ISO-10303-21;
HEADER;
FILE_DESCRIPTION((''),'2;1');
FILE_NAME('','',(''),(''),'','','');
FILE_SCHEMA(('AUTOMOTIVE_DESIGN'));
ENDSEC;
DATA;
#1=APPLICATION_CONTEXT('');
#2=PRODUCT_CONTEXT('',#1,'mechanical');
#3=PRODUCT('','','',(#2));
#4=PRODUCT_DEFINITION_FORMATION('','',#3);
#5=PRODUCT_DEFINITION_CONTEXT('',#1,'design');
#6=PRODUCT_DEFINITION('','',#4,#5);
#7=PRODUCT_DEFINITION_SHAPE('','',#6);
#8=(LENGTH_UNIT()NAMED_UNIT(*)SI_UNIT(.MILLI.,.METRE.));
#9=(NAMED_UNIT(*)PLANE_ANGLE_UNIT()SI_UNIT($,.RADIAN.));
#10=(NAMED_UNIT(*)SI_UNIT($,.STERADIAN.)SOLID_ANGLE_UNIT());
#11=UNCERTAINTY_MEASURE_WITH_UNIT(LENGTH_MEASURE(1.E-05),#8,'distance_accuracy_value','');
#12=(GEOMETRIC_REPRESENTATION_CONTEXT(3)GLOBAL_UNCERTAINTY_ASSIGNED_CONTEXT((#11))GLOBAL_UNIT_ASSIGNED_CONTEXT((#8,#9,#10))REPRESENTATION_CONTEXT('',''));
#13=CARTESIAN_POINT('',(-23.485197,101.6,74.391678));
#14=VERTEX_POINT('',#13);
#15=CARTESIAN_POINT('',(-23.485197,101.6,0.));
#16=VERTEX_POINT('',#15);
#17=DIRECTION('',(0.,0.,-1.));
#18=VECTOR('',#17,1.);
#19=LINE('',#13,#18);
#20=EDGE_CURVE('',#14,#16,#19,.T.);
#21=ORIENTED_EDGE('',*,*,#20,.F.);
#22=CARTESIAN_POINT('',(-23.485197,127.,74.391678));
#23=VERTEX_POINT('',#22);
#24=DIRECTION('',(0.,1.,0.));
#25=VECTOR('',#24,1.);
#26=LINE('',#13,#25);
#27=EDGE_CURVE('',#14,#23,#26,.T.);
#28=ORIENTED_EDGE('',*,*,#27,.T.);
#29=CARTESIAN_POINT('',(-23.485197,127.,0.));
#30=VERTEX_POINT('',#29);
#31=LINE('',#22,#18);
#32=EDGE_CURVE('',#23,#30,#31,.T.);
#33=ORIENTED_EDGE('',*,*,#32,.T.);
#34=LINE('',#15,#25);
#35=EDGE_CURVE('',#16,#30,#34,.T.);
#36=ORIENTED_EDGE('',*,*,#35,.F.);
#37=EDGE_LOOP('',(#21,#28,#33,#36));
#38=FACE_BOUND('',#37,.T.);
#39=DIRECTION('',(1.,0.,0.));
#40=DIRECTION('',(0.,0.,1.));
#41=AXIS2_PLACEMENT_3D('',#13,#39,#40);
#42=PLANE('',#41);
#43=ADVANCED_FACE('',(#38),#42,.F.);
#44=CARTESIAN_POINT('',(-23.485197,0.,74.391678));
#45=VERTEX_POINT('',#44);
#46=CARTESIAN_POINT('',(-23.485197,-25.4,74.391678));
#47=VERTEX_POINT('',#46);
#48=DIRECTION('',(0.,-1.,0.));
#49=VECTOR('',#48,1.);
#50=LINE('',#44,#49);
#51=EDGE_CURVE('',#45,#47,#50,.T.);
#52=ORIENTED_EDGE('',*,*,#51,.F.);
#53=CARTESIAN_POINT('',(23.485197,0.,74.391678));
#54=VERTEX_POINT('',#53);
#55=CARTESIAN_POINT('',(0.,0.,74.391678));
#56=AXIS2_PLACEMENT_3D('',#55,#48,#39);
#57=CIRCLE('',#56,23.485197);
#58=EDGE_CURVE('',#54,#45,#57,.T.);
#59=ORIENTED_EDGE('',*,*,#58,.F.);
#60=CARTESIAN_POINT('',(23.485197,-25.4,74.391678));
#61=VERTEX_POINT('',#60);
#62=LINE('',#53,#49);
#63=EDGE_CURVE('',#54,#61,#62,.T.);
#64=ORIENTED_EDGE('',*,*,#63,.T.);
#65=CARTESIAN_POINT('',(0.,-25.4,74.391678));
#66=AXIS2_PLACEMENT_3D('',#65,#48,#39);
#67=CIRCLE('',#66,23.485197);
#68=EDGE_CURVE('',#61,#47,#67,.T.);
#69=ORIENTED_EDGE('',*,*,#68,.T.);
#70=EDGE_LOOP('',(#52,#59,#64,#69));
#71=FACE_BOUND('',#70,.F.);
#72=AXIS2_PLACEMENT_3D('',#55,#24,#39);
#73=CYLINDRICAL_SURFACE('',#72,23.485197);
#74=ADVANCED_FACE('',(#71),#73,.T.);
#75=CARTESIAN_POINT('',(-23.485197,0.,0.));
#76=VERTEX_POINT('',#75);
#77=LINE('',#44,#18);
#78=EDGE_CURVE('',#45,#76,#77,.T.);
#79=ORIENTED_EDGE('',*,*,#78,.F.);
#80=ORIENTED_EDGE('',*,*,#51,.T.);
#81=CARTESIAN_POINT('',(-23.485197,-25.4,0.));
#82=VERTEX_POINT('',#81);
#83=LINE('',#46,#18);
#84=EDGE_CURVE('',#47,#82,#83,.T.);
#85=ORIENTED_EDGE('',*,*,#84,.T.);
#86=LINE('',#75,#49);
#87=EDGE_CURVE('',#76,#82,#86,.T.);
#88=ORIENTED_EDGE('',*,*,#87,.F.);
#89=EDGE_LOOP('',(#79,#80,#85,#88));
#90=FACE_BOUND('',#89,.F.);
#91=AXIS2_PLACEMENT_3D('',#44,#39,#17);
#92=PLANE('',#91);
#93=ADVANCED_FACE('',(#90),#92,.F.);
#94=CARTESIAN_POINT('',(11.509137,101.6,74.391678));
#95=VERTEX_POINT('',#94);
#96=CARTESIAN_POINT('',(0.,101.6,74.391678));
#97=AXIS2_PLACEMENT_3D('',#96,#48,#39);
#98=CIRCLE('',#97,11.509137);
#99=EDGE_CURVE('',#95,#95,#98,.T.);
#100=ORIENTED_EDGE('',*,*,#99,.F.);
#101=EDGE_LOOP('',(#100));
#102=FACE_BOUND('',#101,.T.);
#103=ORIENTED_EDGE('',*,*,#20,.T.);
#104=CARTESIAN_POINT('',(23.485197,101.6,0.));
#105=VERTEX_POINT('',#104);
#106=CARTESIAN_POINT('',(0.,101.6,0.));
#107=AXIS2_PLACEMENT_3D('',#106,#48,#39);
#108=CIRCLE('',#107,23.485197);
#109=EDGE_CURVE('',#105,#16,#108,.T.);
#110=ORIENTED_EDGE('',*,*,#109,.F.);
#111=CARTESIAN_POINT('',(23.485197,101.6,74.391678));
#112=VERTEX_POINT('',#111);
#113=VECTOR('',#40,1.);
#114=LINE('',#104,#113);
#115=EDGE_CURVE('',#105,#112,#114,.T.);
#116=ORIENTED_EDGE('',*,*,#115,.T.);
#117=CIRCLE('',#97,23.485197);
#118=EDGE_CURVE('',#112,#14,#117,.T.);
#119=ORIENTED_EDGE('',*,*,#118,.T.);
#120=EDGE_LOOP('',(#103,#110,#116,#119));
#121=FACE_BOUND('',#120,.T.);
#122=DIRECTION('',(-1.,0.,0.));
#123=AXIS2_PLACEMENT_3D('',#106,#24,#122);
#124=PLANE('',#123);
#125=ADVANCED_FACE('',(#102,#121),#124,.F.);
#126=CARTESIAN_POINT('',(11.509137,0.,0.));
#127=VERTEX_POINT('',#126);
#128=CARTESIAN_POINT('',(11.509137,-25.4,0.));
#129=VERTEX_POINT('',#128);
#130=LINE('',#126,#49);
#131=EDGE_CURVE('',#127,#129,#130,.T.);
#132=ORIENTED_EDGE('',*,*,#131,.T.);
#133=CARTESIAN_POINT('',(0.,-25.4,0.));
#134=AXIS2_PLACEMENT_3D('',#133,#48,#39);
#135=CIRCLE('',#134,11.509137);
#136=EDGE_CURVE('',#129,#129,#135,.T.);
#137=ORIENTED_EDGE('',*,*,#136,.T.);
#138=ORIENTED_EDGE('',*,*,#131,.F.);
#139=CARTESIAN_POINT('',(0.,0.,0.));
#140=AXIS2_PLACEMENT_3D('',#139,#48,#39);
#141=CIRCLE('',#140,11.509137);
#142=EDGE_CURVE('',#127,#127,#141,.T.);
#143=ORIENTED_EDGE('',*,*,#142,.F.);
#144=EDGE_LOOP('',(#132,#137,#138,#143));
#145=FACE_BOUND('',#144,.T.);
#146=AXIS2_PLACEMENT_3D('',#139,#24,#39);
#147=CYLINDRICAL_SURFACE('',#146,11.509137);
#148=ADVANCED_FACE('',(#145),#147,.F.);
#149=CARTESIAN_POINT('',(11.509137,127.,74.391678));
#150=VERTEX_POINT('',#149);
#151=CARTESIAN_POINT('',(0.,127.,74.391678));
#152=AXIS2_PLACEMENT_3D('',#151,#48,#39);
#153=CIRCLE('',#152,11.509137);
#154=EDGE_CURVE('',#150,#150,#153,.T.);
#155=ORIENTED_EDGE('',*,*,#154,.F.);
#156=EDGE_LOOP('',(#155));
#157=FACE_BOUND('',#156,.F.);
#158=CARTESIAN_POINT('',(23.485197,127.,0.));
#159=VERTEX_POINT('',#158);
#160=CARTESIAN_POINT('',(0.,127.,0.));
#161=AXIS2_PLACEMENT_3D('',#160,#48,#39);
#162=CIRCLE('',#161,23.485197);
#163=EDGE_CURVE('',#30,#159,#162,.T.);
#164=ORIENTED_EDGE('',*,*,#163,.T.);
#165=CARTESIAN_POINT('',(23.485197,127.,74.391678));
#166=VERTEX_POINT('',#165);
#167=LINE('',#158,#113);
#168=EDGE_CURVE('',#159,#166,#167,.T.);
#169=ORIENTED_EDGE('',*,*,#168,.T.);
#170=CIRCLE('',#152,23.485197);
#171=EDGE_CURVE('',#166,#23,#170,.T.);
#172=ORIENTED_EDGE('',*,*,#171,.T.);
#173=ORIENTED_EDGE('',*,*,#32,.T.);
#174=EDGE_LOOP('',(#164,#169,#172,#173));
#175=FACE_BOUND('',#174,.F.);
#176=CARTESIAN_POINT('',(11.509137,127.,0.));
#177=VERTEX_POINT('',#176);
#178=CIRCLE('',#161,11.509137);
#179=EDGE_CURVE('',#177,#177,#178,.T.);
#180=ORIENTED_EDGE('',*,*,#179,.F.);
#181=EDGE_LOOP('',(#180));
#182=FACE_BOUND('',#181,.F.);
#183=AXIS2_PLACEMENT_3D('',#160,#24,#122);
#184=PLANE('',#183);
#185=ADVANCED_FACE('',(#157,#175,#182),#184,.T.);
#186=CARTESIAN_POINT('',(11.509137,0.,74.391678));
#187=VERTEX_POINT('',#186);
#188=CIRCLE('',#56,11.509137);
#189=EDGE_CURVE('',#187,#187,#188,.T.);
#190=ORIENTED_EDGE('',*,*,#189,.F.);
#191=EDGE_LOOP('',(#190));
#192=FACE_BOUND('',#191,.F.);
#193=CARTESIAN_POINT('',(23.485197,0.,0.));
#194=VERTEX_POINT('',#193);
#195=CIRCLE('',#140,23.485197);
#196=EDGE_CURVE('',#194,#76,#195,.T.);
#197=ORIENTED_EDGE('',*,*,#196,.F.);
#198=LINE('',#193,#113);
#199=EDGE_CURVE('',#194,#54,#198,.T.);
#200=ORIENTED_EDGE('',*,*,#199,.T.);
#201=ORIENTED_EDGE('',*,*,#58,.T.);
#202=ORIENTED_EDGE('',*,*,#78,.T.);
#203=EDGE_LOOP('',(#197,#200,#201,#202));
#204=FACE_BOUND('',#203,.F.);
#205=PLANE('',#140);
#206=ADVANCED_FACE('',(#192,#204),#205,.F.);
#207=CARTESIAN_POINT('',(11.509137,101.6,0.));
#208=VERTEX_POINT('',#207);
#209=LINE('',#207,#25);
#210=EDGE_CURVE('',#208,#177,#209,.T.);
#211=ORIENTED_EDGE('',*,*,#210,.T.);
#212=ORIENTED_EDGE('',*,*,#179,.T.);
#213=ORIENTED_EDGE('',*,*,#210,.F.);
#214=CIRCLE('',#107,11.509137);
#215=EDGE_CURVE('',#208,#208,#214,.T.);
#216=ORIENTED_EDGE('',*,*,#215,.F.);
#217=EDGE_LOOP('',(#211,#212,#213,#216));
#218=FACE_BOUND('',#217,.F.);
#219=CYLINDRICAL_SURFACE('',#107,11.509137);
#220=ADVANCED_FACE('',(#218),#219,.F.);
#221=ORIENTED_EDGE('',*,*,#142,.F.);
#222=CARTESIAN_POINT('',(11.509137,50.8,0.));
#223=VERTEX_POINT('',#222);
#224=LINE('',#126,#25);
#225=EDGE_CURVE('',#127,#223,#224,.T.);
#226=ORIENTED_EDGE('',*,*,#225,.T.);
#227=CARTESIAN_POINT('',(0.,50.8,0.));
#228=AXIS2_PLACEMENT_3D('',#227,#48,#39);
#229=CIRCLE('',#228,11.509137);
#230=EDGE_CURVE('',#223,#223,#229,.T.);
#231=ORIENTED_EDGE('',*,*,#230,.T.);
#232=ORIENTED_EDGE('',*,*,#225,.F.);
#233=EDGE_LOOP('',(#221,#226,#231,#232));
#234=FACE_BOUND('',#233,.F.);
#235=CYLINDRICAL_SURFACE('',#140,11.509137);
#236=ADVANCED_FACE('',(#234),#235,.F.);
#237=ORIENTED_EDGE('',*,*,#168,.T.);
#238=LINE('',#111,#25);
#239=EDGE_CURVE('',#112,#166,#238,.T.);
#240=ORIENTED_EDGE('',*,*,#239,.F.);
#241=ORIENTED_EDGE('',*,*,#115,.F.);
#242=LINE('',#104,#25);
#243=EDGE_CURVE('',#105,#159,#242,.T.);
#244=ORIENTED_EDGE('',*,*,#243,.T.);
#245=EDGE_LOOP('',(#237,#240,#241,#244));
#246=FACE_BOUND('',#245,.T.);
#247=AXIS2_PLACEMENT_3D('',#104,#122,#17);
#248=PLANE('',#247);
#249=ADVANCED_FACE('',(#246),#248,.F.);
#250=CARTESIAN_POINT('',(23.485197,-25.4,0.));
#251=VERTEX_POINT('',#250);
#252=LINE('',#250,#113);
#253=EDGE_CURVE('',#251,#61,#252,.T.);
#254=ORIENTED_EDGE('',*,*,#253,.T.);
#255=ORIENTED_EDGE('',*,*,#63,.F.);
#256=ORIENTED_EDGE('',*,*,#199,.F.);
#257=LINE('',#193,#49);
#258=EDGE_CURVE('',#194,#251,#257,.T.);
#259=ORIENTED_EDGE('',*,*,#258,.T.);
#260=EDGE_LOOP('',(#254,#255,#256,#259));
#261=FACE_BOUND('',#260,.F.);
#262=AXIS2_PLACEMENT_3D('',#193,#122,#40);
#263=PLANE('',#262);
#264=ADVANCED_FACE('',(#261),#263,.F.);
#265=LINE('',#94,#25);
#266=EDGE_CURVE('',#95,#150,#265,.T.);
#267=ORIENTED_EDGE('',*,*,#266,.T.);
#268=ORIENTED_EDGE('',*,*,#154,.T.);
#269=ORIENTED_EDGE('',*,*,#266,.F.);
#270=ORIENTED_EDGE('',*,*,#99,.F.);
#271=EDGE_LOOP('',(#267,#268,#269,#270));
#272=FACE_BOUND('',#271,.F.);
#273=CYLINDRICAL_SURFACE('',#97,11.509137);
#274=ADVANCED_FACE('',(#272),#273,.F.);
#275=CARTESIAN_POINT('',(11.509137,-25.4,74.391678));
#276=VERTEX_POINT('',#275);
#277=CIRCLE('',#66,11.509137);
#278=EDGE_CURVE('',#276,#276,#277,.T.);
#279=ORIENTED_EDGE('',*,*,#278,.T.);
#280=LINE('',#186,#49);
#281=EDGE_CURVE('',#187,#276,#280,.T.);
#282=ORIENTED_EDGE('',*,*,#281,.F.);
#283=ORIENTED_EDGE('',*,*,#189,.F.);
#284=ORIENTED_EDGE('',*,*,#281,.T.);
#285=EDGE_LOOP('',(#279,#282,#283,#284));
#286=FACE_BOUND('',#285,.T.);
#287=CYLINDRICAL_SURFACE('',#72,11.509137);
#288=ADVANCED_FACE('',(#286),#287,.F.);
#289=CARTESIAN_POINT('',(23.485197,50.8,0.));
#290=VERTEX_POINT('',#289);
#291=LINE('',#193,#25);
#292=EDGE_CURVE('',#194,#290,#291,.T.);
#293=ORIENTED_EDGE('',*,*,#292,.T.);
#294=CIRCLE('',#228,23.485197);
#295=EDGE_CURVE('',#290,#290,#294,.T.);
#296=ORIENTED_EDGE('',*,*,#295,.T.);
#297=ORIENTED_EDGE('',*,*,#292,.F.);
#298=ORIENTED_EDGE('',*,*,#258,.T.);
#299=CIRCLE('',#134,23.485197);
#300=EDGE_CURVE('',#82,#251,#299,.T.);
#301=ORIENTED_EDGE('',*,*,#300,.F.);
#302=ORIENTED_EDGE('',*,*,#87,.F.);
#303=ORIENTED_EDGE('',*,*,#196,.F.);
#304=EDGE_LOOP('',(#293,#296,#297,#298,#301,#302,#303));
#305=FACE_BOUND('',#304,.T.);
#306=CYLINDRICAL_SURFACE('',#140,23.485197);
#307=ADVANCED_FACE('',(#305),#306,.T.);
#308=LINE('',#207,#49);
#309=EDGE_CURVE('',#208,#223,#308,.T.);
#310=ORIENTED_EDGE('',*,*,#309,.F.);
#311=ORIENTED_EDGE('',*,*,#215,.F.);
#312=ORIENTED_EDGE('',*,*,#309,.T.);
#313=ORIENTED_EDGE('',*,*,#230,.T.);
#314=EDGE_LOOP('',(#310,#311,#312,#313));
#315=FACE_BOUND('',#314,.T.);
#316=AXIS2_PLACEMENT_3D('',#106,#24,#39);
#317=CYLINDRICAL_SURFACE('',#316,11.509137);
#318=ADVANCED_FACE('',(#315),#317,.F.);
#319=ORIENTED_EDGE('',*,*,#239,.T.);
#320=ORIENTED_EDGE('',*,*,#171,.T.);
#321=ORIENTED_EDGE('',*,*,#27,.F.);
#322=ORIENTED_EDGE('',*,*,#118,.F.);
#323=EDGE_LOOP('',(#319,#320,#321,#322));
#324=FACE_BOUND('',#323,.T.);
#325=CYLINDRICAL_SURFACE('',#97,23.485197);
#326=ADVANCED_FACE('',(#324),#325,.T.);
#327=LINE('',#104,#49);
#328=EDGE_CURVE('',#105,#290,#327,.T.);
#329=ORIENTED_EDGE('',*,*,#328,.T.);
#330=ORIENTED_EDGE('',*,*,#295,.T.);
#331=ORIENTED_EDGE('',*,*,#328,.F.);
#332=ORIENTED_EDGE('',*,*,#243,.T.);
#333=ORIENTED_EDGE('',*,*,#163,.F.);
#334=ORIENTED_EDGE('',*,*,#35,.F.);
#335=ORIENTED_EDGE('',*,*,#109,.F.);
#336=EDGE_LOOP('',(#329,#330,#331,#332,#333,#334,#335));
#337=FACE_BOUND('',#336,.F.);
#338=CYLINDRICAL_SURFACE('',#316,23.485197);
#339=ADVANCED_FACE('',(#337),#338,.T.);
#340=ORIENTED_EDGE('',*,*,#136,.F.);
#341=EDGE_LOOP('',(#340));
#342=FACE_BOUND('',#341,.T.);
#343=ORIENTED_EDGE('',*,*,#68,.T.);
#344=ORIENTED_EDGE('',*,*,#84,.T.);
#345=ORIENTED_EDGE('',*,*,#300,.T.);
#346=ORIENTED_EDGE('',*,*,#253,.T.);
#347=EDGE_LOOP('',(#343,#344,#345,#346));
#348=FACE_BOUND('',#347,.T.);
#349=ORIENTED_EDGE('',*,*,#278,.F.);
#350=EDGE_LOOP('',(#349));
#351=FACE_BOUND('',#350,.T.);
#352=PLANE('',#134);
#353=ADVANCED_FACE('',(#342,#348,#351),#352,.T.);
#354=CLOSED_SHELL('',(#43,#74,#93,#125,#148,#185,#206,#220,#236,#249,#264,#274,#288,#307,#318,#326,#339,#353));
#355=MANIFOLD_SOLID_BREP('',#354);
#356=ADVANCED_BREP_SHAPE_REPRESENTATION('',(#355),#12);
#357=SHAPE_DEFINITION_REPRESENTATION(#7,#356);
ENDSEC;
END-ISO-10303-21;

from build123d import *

# Parameters (mm, degrees)
F0_R     = 11.509137
F1_DEPTH = 25.4
F2_DEPTH = 50.8


with BuildPart() as f1:
    # F0 (on Front) → F1 (new body)
    with BuildSketch(Plane.XZ):
        with BuildLine():
            ThreePointArc((-23.485197, 0), (0, -23.485197), (23.485197, 0))
            ThreePointArc((23.485197, 0), (0, 23.485197), (-23.485197, 0))
        make_face()
        Circle(F0_R, mode=Mode.SUBTRACT)
        with BuildLine():
            ThreePointArc((-23.485197, 0), (0, 23.485197), (23.485197, 0))
            Line((23.485197, 0), (23.485197, 74.391678))
            ThreePointArc((23.485197, 74.391678), (0, 50.906481), (-23.485197, 74.391678))
            Line((-23.485197, 74.391678), (-23.485197, 0))
        make_face()
        with BuildLine():
            ThreePointArc((-23.485197, 74.391678), (0, 50.906481), (23.485197, 74.391678))
            ThreePointArc((23.485197, 74.391678), (0, 97.876875), (-23.485197, 74.391678))
        make_face()
        with Locations((0, 74.391678)):
            Circle(F0_R, mode=Mode.SUBTRACT)
    extrude(amount=F1_DEPTH)

    # F0 (on Front) → F2 (join)
    with BuildSketch(Plane.XZ):
        with BuildLine():
            ThreePointArc((-23.485197, 0), (0, -23.485197), (23.485197, 0))
            ThreePointArc((23.485197, 0), (0, 23.485197), (-23.485197, 0))
        make_face()
        Circle(F0_R, mode=Mode.SUBTRACT)
    extrude(amount=-F2_DEPTH)

    # F3: F1 across face


with BuildPart() as f1_1:
    add(f1.part)
    add(f1.part.mirror(Plane(origin=(0, 50.8, 0), x_dir=(1, 0, 0), z_dir=(0, 1, 0))))


solid = f1_1.part
